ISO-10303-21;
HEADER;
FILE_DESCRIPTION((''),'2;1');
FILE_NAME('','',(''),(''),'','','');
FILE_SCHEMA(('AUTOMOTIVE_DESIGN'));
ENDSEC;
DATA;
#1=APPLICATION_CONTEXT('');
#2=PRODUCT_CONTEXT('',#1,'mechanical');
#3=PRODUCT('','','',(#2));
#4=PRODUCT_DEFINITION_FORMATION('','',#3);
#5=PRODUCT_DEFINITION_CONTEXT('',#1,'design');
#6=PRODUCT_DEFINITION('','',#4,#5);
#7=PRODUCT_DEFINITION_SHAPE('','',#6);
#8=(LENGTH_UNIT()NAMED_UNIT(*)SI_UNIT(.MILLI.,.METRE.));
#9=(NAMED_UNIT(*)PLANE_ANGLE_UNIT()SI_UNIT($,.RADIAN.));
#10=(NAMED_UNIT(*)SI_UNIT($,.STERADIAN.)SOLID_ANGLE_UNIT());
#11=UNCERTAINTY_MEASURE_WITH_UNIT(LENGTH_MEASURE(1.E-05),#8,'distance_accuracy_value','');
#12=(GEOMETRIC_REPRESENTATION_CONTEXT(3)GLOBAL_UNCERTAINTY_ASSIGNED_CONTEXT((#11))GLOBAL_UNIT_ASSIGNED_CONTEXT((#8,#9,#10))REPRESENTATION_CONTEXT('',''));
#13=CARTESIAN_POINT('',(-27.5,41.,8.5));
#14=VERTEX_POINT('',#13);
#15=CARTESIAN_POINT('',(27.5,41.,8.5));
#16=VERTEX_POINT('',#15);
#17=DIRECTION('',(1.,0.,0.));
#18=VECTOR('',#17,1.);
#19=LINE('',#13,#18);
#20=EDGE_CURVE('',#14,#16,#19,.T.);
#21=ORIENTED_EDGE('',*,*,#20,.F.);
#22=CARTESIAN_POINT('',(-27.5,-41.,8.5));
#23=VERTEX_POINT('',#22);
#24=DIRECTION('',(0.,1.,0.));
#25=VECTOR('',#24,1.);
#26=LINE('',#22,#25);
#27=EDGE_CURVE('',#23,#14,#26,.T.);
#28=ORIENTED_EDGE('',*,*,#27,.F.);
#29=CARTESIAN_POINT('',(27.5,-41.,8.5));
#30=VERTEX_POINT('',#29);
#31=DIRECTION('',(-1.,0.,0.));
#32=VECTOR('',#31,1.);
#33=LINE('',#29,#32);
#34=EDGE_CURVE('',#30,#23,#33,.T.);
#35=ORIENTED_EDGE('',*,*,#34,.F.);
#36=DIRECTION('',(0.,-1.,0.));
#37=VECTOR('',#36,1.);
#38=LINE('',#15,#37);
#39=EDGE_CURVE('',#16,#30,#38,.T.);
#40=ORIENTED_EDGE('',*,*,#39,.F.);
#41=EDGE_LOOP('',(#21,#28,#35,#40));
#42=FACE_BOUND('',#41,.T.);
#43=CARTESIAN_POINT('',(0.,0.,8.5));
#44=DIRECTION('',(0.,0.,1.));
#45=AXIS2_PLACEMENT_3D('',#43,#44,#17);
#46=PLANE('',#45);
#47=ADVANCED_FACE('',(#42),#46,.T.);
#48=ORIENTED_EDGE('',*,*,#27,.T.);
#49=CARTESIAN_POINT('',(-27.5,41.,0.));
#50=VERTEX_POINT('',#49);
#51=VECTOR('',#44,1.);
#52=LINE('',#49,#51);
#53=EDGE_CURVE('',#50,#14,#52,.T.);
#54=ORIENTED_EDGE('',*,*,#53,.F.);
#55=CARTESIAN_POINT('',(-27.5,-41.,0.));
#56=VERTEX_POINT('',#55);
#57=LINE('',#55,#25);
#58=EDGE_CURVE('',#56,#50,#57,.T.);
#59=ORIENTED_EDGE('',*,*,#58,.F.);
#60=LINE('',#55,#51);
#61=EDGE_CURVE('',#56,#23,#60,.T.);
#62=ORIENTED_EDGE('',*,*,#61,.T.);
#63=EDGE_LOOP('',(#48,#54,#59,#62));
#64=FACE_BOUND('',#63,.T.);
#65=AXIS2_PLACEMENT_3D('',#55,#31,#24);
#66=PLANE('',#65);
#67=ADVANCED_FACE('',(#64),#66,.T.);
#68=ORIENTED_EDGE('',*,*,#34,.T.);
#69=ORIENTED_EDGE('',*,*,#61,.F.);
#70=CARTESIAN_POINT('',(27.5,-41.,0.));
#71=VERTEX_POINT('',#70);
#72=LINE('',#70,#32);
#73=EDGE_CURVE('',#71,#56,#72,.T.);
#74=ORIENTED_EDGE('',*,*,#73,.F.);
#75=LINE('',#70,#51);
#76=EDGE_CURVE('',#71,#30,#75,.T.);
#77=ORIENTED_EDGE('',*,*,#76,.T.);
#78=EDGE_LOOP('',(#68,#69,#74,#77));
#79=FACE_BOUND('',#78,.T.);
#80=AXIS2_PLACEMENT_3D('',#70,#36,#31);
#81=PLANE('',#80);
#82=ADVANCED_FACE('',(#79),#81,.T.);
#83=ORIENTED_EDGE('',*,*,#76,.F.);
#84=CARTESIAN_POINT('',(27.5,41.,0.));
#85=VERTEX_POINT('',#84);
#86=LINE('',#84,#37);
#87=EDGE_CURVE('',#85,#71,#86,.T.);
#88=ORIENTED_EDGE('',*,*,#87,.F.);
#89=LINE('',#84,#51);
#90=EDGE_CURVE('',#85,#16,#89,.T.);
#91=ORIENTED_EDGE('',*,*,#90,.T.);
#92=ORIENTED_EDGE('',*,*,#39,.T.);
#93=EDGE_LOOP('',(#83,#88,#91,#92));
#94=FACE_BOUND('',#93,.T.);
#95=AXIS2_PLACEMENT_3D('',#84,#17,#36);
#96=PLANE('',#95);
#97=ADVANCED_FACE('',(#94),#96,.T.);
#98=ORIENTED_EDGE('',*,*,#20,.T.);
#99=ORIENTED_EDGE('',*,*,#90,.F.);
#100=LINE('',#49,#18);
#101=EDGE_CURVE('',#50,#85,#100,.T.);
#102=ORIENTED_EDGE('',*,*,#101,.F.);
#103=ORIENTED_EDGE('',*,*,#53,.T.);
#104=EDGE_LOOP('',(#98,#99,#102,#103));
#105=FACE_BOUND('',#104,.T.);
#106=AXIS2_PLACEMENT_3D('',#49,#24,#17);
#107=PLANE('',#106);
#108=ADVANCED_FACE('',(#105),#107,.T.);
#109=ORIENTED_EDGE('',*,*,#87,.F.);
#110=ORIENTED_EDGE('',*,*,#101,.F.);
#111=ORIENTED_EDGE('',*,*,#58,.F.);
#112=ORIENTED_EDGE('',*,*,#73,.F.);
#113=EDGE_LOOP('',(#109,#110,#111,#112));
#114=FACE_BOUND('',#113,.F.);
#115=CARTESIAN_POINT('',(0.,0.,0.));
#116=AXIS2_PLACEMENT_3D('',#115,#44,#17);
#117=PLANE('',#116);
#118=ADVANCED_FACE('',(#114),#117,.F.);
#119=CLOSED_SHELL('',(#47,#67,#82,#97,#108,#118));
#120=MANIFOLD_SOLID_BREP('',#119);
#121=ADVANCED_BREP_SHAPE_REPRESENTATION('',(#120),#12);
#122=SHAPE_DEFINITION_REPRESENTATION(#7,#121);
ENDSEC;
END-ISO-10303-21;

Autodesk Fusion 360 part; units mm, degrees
sketch "Sketch1" plane through (0, 0, 0) normal (0, 0, 1) x (1, 0, 0)
  line L0 (-27.5, 41) -> (27.5, 41)
  line L1 (27.5, 41) -> (27.5, -41)
  line L2 (27.5, -41) -> (-27.5, -41)
  line L3 (-27.5, -41) -> (-27.5, 41)
  line L4 (-27.5, 41) -> (27.5, -41) construction
  line L5 (27.5, 41) -> (-27.5, -41) construction
  dimension "d1" = 82
  dimension "d2" = 55
extrude "Extrude1" add sketch "Sketch1" along normal blind 8.5
